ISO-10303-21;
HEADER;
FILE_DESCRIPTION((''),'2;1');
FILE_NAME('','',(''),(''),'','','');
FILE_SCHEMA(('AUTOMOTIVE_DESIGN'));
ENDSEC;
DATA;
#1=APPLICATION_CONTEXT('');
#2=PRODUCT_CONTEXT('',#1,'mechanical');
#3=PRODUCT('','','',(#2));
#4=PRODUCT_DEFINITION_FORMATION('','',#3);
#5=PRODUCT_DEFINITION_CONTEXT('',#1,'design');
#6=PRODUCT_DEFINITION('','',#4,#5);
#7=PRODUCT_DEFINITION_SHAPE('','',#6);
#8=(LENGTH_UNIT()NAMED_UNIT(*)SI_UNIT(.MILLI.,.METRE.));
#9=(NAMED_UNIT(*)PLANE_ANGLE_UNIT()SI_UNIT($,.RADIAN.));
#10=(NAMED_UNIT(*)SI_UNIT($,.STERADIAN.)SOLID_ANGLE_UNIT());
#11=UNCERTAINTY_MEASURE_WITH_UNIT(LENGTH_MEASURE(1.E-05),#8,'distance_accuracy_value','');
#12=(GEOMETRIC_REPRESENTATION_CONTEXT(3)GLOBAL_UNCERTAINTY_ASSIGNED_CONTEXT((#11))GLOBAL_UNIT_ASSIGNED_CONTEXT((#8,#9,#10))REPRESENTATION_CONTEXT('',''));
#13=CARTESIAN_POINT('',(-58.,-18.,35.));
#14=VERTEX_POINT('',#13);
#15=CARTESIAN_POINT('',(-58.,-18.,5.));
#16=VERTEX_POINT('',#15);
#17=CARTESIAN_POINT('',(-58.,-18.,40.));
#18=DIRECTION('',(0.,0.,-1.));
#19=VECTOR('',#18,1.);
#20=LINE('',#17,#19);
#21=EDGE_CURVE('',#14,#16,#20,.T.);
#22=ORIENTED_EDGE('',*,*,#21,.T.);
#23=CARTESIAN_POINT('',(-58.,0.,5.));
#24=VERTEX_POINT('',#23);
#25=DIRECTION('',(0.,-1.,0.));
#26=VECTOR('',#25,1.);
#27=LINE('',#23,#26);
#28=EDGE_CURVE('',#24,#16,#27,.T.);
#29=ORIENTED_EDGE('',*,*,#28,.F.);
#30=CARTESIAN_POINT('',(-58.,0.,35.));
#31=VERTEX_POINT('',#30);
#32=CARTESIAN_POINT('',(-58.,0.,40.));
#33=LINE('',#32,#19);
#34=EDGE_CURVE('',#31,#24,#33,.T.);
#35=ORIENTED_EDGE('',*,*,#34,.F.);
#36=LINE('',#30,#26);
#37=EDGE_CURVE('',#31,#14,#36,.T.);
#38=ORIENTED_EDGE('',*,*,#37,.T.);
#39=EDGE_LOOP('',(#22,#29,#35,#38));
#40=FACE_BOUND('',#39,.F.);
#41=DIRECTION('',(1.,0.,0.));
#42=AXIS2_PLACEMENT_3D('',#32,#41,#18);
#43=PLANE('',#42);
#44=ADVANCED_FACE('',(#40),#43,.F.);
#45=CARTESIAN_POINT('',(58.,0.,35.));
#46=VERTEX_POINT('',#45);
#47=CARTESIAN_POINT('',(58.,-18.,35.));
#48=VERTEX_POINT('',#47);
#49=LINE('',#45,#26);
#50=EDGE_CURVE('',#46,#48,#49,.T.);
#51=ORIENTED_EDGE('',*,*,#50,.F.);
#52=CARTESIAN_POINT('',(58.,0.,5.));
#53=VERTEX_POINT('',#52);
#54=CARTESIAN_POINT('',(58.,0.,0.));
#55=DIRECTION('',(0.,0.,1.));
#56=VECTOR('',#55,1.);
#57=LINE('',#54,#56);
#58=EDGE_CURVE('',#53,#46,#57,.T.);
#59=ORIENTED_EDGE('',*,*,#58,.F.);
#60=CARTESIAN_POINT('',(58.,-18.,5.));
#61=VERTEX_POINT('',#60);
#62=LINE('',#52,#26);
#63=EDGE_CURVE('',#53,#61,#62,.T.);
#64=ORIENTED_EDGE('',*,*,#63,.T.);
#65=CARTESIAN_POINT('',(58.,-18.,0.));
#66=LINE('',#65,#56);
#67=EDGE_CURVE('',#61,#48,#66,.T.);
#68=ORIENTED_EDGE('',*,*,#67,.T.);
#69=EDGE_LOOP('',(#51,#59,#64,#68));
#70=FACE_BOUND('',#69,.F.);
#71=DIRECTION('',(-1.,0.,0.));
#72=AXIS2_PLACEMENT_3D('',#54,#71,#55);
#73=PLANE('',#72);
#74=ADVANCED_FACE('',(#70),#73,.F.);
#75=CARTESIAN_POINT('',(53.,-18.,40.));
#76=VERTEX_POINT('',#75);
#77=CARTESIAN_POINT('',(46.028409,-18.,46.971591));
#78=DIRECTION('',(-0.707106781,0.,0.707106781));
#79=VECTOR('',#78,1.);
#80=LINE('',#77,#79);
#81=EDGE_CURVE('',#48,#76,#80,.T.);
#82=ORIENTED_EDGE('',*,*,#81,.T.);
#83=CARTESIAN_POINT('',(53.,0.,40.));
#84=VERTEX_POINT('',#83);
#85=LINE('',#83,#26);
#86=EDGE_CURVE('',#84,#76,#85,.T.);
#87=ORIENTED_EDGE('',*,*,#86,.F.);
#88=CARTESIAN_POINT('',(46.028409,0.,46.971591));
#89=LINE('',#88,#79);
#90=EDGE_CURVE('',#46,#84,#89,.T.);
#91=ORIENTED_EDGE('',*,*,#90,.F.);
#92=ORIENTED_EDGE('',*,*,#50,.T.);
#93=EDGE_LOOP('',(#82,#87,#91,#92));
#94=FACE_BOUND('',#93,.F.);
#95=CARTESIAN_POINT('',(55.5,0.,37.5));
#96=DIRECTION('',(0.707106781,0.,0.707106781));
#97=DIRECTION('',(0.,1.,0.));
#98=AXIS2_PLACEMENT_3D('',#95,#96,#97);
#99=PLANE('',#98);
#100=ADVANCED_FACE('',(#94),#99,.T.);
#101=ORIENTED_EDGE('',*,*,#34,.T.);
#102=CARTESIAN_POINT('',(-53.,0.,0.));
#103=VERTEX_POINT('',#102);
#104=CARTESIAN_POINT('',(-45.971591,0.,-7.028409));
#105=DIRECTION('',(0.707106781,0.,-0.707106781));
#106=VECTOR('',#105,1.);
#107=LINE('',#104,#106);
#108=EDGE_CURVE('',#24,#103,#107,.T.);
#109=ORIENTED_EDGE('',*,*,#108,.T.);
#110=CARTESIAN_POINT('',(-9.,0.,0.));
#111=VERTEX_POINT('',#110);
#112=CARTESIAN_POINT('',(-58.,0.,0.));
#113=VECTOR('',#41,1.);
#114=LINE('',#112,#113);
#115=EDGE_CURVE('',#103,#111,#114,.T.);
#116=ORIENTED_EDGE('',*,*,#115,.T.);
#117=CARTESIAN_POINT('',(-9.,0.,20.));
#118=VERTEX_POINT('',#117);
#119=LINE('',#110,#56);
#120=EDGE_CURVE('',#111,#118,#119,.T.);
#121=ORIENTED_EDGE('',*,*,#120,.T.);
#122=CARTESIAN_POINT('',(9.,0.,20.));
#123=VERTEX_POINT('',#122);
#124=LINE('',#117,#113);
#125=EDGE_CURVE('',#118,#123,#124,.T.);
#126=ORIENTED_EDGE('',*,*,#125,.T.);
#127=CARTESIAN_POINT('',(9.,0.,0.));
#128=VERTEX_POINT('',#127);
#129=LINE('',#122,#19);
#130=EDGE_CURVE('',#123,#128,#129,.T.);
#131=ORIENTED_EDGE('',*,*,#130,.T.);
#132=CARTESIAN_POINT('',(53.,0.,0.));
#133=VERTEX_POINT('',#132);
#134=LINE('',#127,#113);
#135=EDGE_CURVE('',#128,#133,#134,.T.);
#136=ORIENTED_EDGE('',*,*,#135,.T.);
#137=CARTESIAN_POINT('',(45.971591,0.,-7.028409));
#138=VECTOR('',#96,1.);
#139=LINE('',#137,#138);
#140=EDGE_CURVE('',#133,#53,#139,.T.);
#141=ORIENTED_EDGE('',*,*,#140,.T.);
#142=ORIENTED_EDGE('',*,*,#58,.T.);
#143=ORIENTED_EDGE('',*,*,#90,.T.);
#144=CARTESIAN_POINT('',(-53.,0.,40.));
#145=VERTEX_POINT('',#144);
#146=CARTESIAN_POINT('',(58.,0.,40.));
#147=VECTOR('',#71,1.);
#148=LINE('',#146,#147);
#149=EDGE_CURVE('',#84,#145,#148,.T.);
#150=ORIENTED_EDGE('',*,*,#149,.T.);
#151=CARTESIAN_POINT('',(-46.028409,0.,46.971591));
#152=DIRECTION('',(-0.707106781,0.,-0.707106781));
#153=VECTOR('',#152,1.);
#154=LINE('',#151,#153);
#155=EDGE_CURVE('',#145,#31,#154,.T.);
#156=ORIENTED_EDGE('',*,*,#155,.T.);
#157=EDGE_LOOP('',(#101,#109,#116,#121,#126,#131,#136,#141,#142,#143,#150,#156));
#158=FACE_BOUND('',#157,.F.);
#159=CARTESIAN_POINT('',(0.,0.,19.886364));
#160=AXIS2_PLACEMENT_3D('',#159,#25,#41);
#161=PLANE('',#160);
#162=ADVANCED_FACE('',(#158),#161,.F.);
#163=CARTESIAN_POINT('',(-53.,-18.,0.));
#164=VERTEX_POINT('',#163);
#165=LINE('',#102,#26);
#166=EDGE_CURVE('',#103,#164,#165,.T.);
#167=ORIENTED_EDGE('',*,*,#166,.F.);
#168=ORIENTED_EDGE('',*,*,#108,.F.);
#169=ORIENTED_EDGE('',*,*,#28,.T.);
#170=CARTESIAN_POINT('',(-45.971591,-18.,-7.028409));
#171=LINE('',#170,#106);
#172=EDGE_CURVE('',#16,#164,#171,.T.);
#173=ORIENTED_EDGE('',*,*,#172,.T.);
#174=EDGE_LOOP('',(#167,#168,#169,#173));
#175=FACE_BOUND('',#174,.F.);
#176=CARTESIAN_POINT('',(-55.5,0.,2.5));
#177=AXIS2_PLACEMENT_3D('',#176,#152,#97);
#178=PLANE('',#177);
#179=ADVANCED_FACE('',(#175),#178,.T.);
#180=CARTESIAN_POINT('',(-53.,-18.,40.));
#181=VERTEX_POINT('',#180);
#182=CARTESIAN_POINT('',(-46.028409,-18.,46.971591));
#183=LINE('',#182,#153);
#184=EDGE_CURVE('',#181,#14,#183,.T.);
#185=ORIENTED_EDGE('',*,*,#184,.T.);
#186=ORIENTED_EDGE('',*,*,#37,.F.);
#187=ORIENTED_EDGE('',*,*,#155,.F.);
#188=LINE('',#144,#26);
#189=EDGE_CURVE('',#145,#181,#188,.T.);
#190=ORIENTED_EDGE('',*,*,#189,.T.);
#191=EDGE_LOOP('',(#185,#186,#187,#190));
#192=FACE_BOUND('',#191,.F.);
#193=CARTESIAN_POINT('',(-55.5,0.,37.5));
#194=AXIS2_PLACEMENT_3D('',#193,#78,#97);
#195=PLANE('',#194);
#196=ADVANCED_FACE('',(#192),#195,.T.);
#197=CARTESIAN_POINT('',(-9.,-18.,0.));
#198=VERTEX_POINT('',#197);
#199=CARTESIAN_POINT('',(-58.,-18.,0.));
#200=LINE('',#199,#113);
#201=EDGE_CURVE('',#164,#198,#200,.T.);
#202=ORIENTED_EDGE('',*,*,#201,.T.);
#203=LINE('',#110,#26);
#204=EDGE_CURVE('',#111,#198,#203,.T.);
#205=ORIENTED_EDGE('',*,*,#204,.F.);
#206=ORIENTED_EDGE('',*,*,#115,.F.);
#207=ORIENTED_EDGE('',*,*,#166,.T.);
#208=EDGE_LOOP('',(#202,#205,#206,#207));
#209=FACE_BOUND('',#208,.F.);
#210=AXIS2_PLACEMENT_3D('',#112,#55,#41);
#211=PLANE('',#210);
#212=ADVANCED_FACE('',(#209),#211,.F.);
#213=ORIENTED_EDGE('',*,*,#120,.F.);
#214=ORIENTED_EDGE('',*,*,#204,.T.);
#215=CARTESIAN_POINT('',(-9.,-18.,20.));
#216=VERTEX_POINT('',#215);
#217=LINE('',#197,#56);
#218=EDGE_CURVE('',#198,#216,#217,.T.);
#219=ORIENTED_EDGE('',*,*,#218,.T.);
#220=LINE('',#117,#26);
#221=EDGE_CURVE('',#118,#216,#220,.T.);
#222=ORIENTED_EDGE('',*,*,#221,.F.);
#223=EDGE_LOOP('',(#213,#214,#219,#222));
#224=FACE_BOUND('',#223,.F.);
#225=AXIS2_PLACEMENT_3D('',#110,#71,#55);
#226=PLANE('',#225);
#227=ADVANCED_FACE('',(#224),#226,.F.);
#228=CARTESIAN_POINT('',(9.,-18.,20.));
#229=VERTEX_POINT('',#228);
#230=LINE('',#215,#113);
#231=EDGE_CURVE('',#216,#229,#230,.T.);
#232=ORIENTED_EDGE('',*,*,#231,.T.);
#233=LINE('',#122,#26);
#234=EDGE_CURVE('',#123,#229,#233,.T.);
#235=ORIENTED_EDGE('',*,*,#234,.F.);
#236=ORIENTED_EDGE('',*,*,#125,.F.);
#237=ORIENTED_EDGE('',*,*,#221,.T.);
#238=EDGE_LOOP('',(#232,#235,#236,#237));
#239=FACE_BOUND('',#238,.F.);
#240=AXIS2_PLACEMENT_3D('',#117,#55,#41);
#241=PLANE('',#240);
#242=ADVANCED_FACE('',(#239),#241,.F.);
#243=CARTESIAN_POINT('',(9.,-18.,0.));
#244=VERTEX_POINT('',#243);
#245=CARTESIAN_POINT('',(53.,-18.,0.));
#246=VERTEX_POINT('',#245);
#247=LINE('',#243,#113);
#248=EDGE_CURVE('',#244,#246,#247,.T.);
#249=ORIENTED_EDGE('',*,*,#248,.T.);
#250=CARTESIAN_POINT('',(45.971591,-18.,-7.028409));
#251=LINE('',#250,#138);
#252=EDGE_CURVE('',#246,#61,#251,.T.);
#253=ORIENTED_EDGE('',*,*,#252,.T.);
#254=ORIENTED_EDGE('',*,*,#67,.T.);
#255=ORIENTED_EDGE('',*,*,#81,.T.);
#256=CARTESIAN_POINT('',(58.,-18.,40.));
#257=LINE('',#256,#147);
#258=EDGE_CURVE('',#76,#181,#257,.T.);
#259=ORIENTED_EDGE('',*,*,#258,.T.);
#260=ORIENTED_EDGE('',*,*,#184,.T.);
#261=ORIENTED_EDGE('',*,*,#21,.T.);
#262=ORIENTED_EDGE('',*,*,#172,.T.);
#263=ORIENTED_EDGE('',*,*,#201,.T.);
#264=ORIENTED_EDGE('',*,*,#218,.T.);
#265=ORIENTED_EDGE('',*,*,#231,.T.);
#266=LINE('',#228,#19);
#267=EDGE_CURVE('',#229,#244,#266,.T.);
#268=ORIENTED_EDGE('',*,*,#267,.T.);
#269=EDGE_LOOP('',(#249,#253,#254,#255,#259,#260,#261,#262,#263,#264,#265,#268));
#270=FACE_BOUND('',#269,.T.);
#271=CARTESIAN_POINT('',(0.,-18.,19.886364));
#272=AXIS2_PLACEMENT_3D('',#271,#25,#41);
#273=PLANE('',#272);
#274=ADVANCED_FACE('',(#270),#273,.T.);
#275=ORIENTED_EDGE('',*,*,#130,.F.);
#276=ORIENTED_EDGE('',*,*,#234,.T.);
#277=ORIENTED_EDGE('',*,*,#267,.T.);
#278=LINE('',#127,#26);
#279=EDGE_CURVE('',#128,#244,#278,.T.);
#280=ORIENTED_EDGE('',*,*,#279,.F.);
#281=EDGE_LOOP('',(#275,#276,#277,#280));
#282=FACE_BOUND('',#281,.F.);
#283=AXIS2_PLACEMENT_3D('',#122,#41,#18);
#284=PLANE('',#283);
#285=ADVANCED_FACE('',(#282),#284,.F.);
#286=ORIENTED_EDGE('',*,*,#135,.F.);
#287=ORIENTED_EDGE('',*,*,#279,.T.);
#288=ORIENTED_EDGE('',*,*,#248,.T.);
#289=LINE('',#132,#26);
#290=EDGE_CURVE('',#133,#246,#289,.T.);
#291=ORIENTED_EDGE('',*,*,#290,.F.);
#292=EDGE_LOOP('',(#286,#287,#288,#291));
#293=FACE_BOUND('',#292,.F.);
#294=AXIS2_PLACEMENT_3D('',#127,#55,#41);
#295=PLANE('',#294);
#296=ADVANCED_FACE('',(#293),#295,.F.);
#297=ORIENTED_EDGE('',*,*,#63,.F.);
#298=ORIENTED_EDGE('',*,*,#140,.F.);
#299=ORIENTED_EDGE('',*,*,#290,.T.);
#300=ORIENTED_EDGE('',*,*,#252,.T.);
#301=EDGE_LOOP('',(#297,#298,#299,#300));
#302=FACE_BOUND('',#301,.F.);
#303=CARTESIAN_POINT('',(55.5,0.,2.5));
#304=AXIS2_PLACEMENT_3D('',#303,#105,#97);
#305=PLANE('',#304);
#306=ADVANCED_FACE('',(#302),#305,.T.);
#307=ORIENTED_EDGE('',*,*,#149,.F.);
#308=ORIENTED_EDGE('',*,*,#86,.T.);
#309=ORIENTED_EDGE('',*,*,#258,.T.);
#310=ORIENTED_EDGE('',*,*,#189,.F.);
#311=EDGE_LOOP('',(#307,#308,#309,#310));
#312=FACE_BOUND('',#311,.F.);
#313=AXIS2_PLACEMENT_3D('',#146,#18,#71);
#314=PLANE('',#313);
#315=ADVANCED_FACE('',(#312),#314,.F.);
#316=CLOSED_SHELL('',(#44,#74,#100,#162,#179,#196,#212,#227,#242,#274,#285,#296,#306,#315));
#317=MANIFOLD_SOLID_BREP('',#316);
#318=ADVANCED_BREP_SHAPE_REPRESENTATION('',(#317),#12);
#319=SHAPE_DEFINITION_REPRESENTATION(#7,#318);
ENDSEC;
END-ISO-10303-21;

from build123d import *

# Parameters (mm, degrees)
F1_DEPTH = 18
F2_SIZE  = 5


with BuildPart() as f1:
    # F0 (on Front) → F1 (new body)
    with BuildSketch(Plane.XZ):
        Polygon((-9, 0), (-9, 20), (9, 20), (9, 0), (58, 0), (58, 40), (-58, 40), (-58, 0), align=None)
    extrude(amount=F1_DEPTH)

    # F2
    f2_edges = [f1.edges().sort_by_distance(p)[0] for p in [
        (-58, -9, 0),
        (58, -9, 0),
        (58, -9, 40),
        (-58, -9, 40),
    ]]
    chamfer(f2_edges, length=F2_SIZE)


solid = f1.part
